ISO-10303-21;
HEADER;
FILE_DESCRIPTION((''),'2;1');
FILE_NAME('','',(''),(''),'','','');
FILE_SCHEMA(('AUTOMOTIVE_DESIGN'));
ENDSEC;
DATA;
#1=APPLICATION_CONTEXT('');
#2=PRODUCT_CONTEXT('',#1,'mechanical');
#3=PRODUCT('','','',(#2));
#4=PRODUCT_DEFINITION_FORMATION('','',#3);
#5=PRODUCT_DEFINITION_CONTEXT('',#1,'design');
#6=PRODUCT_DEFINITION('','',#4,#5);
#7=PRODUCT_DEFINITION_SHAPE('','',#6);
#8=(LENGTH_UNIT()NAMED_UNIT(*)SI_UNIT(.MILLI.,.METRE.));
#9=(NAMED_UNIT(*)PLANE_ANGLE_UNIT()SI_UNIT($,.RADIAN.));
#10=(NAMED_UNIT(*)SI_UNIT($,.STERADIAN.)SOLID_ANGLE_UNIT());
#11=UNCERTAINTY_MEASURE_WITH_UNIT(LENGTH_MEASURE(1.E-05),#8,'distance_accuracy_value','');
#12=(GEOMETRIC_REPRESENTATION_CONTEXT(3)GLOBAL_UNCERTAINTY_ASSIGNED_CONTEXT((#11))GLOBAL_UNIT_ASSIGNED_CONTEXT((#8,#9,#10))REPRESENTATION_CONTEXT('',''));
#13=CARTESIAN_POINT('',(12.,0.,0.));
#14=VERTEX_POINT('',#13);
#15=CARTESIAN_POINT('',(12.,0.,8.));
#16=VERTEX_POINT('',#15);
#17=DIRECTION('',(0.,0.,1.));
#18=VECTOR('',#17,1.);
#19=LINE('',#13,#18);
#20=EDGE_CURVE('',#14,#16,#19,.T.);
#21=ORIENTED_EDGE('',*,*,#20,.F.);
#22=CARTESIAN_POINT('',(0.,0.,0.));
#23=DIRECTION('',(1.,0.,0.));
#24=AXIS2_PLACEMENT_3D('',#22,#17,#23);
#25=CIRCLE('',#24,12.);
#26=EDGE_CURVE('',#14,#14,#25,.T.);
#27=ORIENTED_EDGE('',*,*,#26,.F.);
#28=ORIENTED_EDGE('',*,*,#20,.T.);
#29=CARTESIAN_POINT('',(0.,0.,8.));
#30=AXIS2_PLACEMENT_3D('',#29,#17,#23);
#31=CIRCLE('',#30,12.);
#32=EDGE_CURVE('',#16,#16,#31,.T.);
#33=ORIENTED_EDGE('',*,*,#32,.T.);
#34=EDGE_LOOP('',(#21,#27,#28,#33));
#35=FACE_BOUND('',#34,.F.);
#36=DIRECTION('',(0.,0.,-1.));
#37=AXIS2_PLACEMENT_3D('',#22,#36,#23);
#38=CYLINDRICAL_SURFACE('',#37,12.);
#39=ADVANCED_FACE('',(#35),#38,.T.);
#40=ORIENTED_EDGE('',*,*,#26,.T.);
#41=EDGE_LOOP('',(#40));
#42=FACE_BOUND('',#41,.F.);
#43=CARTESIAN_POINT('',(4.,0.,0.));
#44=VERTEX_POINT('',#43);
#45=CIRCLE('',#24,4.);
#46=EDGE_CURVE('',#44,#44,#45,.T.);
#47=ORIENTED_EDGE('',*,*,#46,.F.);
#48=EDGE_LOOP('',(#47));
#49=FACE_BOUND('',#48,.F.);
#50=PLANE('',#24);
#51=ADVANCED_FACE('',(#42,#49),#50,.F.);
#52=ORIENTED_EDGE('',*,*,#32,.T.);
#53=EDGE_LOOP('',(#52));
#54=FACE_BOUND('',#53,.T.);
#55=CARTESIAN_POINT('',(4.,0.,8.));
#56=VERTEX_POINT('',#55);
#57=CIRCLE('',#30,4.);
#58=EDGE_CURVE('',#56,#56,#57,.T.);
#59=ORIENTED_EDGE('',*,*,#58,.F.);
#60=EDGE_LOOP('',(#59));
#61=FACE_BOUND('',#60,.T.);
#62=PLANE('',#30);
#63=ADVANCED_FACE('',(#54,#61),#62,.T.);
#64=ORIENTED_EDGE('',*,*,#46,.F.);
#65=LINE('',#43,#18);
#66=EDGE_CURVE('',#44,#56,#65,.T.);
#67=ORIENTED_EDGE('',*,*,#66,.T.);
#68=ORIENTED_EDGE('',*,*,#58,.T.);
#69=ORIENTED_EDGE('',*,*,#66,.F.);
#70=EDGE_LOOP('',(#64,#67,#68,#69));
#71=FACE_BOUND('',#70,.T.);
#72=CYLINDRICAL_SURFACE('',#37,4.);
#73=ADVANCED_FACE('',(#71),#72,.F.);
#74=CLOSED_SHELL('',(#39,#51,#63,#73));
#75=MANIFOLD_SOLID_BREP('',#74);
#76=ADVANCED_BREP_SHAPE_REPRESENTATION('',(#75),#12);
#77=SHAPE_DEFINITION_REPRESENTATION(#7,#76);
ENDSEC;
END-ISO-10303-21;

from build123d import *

# Parameters (mm, degrees)
SKETCH_R   = 12
SKETCH_R_2 = 4
PAD_DEPTH  = 8


with BuildPart() as part:
    # Sketch → Pad (new body)
    with BuildSketch(Plane.XY):
        Circle(SKETCH_R)
        Circle(SKETCH_R_2, mode=Mode.SUBTRACT)
    extrude(amount=PAD_DEPTH)


solid = part.part
